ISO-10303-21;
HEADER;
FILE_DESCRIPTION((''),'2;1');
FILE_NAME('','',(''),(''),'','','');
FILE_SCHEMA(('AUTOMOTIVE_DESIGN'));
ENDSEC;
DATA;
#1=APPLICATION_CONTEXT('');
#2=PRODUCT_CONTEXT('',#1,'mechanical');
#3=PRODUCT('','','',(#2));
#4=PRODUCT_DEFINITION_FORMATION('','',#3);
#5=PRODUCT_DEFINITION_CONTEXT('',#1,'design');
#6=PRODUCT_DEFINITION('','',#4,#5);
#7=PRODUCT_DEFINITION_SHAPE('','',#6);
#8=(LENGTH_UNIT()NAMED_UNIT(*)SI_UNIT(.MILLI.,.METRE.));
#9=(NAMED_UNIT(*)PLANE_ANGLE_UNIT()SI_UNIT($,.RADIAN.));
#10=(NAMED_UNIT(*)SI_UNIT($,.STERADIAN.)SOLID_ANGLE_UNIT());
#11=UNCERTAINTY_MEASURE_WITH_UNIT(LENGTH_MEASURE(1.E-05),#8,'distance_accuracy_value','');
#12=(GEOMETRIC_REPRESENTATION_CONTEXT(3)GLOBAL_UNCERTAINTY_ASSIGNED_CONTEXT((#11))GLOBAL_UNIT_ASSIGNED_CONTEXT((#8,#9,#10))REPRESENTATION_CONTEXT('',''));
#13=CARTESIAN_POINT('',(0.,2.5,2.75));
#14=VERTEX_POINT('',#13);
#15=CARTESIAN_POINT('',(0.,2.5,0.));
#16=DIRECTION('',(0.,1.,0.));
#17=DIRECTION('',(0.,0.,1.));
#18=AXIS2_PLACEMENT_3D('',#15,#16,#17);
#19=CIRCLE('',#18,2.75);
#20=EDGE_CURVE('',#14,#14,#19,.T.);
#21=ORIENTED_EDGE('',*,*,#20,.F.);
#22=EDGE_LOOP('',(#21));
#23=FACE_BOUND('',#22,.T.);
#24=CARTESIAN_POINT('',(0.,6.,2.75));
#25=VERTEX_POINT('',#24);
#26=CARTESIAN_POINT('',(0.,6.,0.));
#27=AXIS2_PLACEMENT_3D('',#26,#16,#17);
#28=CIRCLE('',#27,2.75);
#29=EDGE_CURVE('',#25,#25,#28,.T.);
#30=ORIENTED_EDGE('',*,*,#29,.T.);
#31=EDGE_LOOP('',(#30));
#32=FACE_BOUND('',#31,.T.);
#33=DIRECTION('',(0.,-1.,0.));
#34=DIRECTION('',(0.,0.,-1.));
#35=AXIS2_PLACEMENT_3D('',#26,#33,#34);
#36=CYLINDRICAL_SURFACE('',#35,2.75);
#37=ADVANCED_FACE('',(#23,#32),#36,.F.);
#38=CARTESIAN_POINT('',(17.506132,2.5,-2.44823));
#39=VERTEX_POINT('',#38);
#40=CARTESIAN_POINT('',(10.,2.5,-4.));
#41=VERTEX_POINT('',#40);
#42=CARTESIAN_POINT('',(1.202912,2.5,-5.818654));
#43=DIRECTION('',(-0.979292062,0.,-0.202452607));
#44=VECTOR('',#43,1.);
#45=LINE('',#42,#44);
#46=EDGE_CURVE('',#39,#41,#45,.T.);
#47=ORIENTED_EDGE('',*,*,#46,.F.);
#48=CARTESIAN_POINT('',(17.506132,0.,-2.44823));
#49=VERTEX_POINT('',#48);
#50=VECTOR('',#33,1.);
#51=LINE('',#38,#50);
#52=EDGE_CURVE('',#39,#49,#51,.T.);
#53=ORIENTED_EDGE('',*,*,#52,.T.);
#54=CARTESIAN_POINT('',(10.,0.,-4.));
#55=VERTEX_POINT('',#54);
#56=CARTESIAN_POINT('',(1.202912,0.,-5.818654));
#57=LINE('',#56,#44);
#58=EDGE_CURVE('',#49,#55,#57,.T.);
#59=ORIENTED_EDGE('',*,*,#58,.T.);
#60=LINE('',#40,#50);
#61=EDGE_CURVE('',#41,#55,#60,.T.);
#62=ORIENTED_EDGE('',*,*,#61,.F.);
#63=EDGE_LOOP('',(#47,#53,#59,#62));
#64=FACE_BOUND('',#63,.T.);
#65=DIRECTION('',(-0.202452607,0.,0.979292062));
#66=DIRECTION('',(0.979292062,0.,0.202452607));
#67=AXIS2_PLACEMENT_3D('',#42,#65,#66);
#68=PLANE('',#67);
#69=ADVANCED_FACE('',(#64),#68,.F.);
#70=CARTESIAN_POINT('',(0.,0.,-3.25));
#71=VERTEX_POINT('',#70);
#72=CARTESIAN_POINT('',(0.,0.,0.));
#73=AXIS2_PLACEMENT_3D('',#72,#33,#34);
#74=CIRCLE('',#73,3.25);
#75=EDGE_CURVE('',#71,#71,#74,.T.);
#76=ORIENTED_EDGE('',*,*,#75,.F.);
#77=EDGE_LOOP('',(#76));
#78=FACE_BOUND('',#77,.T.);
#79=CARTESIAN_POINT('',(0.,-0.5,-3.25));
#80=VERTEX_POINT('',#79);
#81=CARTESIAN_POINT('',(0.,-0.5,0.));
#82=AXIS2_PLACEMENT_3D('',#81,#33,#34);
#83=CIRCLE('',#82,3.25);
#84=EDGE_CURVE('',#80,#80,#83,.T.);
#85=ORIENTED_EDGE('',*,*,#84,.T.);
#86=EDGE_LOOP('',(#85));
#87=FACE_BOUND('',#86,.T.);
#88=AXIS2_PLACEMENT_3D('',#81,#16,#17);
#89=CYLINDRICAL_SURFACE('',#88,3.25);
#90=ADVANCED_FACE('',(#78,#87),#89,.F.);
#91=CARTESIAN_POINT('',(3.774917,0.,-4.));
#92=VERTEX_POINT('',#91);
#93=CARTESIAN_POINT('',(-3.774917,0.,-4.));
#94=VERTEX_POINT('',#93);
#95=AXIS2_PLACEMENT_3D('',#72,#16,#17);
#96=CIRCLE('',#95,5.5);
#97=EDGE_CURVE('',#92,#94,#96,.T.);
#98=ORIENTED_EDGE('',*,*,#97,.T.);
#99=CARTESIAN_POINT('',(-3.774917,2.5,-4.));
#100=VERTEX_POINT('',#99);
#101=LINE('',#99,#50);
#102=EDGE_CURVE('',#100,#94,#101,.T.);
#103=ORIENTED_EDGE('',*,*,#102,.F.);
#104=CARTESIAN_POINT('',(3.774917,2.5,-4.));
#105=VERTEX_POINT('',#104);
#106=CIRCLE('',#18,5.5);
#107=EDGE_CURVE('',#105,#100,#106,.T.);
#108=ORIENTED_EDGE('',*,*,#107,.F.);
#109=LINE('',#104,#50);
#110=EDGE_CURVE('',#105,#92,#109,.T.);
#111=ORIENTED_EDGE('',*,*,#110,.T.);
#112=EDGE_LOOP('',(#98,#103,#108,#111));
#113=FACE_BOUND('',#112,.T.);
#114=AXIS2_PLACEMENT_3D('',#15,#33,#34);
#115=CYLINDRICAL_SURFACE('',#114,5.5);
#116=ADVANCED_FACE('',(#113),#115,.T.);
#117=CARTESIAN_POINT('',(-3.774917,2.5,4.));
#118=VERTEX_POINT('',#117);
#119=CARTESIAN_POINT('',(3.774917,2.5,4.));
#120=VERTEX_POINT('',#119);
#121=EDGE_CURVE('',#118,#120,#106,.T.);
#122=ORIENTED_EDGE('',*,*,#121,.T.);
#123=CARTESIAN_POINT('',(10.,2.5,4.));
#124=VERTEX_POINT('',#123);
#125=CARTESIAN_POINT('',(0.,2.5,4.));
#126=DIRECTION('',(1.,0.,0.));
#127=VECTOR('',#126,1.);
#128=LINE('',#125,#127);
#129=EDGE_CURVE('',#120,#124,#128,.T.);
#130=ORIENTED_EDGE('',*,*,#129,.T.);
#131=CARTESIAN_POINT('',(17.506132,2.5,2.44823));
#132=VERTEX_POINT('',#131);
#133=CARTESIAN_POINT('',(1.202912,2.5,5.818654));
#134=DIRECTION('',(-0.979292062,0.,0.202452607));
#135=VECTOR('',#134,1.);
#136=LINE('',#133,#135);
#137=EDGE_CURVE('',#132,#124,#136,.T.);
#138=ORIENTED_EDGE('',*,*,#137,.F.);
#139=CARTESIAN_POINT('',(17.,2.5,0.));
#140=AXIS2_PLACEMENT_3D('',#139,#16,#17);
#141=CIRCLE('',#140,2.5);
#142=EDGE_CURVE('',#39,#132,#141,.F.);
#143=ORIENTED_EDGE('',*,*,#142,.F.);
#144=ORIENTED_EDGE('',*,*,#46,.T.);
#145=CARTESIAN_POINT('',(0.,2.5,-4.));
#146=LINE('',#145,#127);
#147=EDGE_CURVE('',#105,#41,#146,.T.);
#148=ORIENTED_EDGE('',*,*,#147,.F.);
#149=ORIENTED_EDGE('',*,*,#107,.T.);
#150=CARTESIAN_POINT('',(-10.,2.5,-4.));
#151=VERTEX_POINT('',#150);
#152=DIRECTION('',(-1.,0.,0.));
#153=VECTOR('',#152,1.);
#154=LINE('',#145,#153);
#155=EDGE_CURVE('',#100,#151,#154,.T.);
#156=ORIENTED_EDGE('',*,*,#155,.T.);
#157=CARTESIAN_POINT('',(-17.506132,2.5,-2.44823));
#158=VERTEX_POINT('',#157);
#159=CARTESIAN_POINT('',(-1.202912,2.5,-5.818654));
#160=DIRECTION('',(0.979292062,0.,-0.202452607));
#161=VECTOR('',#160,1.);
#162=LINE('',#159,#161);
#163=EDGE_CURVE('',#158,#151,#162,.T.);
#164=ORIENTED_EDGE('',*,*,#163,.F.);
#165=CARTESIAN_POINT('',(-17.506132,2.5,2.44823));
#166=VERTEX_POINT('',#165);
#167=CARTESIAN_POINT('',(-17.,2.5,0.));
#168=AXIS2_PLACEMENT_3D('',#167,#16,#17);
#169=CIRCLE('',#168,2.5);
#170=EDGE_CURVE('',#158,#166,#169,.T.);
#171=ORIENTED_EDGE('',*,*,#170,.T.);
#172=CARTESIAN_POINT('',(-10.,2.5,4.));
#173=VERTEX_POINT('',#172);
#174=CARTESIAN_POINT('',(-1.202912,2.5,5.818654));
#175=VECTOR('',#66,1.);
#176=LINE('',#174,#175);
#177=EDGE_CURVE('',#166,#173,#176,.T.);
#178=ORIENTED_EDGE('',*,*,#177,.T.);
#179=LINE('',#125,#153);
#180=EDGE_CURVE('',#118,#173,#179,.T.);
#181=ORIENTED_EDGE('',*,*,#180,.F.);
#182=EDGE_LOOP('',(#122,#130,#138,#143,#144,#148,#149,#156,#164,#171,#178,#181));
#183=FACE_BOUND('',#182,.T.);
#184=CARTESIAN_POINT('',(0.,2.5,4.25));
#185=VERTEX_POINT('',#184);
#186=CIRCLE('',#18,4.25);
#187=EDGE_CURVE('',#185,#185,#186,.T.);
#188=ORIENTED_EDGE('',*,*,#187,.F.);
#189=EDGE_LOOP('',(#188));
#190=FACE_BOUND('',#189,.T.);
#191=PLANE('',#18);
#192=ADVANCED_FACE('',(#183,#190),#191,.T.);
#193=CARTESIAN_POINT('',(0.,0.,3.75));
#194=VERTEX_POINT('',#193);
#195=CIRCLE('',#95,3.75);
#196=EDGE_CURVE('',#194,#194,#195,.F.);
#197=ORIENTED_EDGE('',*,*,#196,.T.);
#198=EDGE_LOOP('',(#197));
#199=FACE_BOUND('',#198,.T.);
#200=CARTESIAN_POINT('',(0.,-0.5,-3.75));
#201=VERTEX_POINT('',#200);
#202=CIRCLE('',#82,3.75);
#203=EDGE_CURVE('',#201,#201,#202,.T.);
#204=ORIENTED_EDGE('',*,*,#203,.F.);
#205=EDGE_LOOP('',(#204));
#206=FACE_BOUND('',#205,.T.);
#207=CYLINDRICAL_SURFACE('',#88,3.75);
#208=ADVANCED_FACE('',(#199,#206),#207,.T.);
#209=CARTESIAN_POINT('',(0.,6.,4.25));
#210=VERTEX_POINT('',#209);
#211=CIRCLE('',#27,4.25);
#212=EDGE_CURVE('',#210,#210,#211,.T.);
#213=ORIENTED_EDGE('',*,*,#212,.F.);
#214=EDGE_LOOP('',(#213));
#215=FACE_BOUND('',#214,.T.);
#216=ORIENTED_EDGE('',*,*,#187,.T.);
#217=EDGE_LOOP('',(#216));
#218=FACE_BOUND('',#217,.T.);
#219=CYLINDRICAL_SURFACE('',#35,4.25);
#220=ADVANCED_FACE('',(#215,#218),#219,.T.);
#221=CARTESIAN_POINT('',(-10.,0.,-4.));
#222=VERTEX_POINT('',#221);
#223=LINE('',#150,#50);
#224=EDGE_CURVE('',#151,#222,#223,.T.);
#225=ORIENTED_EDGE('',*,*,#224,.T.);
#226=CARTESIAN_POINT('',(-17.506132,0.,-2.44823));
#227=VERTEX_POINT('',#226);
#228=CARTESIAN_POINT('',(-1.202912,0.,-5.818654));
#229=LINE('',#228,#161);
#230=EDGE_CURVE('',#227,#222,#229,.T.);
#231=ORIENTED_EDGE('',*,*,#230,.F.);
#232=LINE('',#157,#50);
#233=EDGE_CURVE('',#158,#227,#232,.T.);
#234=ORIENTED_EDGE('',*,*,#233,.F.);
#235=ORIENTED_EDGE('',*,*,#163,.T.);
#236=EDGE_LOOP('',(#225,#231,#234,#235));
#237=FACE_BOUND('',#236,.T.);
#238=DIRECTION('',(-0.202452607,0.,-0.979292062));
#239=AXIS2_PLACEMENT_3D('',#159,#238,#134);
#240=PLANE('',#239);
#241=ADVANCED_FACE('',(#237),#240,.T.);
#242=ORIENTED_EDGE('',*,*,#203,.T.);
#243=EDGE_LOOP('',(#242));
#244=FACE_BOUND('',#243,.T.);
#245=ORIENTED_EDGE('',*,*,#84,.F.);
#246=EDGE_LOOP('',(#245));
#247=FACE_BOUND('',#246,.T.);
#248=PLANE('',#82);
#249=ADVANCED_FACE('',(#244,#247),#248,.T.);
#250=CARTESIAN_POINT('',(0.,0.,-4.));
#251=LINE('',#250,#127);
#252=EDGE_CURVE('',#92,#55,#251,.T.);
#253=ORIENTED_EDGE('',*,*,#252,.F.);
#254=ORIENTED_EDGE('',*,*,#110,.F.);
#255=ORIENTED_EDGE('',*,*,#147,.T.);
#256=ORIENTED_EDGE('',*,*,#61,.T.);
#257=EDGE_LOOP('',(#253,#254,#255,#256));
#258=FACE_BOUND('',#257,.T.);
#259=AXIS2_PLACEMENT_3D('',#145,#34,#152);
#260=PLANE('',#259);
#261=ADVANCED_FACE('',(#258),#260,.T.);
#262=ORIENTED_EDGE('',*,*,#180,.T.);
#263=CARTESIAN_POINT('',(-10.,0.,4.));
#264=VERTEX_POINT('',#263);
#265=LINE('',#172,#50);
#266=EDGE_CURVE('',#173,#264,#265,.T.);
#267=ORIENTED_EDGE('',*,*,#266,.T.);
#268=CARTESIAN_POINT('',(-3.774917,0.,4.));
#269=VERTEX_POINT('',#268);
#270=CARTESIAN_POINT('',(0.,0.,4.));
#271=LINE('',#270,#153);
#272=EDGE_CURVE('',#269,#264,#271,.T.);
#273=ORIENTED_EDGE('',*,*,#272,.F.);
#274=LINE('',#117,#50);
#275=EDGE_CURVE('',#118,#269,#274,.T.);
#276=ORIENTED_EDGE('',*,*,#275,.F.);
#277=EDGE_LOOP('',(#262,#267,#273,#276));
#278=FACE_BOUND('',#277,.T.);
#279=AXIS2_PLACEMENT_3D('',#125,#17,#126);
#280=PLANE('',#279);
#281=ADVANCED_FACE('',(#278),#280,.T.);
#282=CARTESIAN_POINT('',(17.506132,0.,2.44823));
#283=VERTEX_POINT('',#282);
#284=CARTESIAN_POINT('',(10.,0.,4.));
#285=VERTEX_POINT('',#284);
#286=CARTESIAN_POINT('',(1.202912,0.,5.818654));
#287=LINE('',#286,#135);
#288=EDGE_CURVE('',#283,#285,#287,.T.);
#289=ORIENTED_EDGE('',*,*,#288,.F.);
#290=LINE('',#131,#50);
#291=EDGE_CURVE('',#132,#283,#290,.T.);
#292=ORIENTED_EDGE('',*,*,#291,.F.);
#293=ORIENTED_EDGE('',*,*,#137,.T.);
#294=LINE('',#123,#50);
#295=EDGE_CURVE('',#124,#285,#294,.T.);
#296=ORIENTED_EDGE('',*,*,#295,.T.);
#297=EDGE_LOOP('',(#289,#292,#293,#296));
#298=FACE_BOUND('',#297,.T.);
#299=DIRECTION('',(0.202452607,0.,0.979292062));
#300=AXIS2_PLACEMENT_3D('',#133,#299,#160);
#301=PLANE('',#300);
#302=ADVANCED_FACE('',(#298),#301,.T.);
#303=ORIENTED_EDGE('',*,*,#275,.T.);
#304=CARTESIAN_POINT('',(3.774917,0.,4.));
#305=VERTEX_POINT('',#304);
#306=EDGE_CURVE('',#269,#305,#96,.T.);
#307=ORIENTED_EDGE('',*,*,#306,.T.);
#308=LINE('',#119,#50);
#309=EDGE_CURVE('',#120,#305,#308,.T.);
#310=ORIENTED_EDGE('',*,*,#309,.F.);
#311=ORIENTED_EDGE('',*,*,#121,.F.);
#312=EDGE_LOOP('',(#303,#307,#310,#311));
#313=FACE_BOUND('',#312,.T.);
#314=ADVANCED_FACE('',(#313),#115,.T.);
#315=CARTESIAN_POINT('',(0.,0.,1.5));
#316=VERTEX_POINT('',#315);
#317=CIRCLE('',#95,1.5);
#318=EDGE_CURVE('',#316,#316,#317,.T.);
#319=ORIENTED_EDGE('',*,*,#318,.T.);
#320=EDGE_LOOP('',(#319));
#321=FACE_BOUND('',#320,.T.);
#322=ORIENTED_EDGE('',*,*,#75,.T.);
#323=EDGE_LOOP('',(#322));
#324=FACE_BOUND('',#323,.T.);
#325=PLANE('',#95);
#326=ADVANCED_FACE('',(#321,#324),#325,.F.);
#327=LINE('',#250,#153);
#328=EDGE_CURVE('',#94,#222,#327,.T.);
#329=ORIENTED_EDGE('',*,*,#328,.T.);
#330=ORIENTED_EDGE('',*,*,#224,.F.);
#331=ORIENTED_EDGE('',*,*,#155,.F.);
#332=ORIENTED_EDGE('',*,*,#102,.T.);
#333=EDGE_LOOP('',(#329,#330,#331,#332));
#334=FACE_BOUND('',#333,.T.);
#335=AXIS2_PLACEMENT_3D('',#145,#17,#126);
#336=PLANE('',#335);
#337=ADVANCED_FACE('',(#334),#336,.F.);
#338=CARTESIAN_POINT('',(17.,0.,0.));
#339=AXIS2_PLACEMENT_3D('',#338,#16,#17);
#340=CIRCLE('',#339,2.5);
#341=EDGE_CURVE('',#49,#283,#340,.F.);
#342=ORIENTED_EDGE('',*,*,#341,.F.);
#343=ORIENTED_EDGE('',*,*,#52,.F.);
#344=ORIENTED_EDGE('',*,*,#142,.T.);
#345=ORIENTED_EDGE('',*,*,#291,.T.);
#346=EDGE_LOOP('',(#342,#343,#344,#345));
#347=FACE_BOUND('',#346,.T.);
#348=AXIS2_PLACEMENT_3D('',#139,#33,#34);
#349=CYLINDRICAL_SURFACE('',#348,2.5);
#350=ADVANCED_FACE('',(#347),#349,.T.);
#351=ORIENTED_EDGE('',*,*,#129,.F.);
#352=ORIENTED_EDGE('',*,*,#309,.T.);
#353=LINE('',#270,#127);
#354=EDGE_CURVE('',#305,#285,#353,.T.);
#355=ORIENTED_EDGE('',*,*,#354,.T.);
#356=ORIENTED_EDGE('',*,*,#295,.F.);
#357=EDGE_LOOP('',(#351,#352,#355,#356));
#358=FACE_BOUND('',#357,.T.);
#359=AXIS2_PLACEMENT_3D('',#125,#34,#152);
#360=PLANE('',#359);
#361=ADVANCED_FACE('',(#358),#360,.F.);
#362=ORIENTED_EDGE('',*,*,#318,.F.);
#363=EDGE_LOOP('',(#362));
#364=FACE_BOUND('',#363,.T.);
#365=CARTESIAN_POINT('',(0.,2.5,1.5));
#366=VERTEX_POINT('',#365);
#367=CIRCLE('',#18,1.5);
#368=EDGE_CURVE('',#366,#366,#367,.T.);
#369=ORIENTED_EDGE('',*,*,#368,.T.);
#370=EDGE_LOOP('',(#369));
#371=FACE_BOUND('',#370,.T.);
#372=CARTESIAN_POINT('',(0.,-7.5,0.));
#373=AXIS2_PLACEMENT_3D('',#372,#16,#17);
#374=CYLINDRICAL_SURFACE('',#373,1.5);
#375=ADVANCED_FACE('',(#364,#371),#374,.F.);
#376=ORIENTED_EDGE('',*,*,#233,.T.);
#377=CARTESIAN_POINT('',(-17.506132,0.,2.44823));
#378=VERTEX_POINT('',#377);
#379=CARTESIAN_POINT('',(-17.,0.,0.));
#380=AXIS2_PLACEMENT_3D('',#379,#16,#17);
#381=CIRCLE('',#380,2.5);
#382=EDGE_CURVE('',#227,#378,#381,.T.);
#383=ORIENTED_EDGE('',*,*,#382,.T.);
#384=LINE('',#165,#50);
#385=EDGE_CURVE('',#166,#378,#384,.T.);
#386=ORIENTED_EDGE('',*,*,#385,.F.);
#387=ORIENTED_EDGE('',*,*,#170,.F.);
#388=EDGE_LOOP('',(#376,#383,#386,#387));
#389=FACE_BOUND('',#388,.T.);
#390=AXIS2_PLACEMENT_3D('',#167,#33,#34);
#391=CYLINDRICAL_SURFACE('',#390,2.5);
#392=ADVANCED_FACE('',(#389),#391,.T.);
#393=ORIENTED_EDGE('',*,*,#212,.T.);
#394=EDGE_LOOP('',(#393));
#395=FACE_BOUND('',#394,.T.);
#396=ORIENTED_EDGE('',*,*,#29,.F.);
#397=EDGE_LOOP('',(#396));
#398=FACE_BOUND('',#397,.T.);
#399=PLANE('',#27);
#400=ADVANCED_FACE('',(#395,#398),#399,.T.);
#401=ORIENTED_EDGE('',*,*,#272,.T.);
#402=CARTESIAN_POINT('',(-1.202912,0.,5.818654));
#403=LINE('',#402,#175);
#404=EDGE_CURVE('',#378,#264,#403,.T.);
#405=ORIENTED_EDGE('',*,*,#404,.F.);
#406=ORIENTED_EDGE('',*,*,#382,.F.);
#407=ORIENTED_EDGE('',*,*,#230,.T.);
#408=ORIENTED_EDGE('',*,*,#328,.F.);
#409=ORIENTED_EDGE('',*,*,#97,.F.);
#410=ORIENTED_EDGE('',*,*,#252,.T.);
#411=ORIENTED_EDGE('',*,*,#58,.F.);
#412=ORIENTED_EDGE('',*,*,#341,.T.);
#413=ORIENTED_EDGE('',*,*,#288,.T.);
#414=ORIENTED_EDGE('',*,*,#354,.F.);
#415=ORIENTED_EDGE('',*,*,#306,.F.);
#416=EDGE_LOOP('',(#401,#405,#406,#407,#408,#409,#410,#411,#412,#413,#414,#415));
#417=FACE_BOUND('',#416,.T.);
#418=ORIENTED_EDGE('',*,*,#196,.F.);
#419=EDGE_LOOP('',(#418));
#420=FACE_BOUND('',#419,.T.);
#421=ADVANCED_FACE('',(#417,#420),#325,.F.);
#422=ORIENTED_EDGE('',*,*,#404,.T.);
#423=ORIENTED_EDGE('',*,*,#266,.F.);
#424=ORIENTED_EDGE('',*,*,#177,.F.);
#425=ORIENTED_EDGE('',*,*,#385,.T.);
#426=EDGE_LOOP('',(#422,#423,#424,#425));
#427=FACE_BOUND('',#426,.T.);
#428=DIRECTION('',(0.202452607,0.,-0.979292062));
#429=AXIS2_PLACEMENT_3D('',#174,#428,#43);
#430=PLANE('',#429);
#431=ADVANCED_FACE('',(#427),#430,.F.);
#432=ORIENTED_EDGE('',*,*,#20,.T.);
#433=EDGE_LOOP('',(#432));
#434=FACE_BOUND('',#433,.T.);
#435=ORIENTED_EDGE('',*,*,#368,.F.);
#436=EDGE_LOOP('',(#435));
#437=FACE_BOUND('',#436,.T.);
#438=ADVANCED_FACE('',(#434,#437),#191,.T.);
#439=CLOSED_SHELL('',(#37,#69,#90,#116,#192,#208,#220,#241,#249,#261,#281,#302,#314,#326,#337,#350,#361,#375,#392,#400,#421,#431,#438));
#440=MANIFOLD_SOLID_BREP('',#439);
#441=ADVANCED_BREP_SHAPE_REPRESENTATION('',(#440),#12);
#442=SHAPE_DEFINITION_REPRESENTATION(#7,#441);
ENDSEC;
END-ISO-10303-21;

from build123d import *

# Parameters (mm, degrees)
BOSS_EXTRUDE1_DEPTH = 2.5
SKETCH2_R           = 1.5
CUT_EXTRUDE1_DEPTH  = 10
SKETCH3_R           = 4.25
SKETCH3_R_2         = 2.75
BOSS_EXTRUDE2_DEPTH = 3.5
SKETCH4_R           = 3.75
SKETCH4_R_2         = 3.25
BOSS_EXTRUDE3_DEPTH = 0.5


with BuildPart() as part:
    # Sketch1 → Boss-Extrude1 (new body)
    with BuildSketch(Plane(origin=(0, 0, 0), x_dir=(1, 0, 0), z_dir=(0, 1, 0))):
        with BuildLine():
            Line((10, -4), (17.506131517, -2.448230154))
            ThreePointArc((17.506131517, -2.448230154), (19.5, 0), (17.506131517, 2.448230154))
            Line((17.506131517, 2.448230154), (10, 4))
            Line((10, 4), (3.774917218, 4))
            ThreePointArc((3.774917218, 4), (0, 5.5), (-3.774917218, 4))
            Line((-3.774917218, 4), (-10, 4))
            Line((-10, 4), (-17.506131517, 2.448230154))
            ThreePointArc((-17.506131517, 2.448230154), (-19.5, 0), (-17.506131517, -2.448230154))
            Line((-17.506131517, -2.448230154), (-10, -4))
            Line((-10, -4), (-3.774917218, -4))
            ThreePointArc((-3.774917218, -4), (0, -5.5), (3.774917218, -4))
            Line((3.774917218, -4), (10, -4))
        make_face()
    extrude(amount=BOSS_EXTRUDE1_DEPTH)

    # Sketch2 → Cut-Extrude1 (cut)
    with BuildSketch(Plane(origin=(0, 2.5, 0), x_dir=(1, 0, 0), z_dir=(0, 1, 0))):
        with Locations(Location((0, 0, 0), (0, 0, 270))):
            Circle(SKETCH2_R)
    extrude(amount=-CUT_EXTRUDE1_DEPTH, mode=Mode.SUBTRACT)

    # Sketch3 → Boss-Extrude2 (add)
    with BuildSketch(Plane(origin=(0, 2.5, 0), x_dir=(1, 0, 0), z_dir=(0, 1, 0))):
        with Locations(Location((0, 0, 0), (0, 0, 270))):
            Circle(SKETCH3_R)
        with Locations(Location((0, 0, 0), (0, 0, 270))):
            Circle(SKETCH3_R_2, mode=Mode.SUBTRACT)
    extrude(amount=BOSS_EXTRUDE2_DEPTH)

    # Sketch4 → Boss-Extrude3 (add)
    with BuildSketch(Plane.XZ):
        with Locations(Location((0, 0, 0), (0, 0, 90))):
            Circle(SKETCH4_R)
        with Locations(Location((0, 0, 0), (0, 0, 270))):
            Circle(SKETCH4_R_2, mode=Mode.SUBTRACT)
    extrude(amount=BOSS_EXTRUDE3_DEPTH)


solid = part.part
